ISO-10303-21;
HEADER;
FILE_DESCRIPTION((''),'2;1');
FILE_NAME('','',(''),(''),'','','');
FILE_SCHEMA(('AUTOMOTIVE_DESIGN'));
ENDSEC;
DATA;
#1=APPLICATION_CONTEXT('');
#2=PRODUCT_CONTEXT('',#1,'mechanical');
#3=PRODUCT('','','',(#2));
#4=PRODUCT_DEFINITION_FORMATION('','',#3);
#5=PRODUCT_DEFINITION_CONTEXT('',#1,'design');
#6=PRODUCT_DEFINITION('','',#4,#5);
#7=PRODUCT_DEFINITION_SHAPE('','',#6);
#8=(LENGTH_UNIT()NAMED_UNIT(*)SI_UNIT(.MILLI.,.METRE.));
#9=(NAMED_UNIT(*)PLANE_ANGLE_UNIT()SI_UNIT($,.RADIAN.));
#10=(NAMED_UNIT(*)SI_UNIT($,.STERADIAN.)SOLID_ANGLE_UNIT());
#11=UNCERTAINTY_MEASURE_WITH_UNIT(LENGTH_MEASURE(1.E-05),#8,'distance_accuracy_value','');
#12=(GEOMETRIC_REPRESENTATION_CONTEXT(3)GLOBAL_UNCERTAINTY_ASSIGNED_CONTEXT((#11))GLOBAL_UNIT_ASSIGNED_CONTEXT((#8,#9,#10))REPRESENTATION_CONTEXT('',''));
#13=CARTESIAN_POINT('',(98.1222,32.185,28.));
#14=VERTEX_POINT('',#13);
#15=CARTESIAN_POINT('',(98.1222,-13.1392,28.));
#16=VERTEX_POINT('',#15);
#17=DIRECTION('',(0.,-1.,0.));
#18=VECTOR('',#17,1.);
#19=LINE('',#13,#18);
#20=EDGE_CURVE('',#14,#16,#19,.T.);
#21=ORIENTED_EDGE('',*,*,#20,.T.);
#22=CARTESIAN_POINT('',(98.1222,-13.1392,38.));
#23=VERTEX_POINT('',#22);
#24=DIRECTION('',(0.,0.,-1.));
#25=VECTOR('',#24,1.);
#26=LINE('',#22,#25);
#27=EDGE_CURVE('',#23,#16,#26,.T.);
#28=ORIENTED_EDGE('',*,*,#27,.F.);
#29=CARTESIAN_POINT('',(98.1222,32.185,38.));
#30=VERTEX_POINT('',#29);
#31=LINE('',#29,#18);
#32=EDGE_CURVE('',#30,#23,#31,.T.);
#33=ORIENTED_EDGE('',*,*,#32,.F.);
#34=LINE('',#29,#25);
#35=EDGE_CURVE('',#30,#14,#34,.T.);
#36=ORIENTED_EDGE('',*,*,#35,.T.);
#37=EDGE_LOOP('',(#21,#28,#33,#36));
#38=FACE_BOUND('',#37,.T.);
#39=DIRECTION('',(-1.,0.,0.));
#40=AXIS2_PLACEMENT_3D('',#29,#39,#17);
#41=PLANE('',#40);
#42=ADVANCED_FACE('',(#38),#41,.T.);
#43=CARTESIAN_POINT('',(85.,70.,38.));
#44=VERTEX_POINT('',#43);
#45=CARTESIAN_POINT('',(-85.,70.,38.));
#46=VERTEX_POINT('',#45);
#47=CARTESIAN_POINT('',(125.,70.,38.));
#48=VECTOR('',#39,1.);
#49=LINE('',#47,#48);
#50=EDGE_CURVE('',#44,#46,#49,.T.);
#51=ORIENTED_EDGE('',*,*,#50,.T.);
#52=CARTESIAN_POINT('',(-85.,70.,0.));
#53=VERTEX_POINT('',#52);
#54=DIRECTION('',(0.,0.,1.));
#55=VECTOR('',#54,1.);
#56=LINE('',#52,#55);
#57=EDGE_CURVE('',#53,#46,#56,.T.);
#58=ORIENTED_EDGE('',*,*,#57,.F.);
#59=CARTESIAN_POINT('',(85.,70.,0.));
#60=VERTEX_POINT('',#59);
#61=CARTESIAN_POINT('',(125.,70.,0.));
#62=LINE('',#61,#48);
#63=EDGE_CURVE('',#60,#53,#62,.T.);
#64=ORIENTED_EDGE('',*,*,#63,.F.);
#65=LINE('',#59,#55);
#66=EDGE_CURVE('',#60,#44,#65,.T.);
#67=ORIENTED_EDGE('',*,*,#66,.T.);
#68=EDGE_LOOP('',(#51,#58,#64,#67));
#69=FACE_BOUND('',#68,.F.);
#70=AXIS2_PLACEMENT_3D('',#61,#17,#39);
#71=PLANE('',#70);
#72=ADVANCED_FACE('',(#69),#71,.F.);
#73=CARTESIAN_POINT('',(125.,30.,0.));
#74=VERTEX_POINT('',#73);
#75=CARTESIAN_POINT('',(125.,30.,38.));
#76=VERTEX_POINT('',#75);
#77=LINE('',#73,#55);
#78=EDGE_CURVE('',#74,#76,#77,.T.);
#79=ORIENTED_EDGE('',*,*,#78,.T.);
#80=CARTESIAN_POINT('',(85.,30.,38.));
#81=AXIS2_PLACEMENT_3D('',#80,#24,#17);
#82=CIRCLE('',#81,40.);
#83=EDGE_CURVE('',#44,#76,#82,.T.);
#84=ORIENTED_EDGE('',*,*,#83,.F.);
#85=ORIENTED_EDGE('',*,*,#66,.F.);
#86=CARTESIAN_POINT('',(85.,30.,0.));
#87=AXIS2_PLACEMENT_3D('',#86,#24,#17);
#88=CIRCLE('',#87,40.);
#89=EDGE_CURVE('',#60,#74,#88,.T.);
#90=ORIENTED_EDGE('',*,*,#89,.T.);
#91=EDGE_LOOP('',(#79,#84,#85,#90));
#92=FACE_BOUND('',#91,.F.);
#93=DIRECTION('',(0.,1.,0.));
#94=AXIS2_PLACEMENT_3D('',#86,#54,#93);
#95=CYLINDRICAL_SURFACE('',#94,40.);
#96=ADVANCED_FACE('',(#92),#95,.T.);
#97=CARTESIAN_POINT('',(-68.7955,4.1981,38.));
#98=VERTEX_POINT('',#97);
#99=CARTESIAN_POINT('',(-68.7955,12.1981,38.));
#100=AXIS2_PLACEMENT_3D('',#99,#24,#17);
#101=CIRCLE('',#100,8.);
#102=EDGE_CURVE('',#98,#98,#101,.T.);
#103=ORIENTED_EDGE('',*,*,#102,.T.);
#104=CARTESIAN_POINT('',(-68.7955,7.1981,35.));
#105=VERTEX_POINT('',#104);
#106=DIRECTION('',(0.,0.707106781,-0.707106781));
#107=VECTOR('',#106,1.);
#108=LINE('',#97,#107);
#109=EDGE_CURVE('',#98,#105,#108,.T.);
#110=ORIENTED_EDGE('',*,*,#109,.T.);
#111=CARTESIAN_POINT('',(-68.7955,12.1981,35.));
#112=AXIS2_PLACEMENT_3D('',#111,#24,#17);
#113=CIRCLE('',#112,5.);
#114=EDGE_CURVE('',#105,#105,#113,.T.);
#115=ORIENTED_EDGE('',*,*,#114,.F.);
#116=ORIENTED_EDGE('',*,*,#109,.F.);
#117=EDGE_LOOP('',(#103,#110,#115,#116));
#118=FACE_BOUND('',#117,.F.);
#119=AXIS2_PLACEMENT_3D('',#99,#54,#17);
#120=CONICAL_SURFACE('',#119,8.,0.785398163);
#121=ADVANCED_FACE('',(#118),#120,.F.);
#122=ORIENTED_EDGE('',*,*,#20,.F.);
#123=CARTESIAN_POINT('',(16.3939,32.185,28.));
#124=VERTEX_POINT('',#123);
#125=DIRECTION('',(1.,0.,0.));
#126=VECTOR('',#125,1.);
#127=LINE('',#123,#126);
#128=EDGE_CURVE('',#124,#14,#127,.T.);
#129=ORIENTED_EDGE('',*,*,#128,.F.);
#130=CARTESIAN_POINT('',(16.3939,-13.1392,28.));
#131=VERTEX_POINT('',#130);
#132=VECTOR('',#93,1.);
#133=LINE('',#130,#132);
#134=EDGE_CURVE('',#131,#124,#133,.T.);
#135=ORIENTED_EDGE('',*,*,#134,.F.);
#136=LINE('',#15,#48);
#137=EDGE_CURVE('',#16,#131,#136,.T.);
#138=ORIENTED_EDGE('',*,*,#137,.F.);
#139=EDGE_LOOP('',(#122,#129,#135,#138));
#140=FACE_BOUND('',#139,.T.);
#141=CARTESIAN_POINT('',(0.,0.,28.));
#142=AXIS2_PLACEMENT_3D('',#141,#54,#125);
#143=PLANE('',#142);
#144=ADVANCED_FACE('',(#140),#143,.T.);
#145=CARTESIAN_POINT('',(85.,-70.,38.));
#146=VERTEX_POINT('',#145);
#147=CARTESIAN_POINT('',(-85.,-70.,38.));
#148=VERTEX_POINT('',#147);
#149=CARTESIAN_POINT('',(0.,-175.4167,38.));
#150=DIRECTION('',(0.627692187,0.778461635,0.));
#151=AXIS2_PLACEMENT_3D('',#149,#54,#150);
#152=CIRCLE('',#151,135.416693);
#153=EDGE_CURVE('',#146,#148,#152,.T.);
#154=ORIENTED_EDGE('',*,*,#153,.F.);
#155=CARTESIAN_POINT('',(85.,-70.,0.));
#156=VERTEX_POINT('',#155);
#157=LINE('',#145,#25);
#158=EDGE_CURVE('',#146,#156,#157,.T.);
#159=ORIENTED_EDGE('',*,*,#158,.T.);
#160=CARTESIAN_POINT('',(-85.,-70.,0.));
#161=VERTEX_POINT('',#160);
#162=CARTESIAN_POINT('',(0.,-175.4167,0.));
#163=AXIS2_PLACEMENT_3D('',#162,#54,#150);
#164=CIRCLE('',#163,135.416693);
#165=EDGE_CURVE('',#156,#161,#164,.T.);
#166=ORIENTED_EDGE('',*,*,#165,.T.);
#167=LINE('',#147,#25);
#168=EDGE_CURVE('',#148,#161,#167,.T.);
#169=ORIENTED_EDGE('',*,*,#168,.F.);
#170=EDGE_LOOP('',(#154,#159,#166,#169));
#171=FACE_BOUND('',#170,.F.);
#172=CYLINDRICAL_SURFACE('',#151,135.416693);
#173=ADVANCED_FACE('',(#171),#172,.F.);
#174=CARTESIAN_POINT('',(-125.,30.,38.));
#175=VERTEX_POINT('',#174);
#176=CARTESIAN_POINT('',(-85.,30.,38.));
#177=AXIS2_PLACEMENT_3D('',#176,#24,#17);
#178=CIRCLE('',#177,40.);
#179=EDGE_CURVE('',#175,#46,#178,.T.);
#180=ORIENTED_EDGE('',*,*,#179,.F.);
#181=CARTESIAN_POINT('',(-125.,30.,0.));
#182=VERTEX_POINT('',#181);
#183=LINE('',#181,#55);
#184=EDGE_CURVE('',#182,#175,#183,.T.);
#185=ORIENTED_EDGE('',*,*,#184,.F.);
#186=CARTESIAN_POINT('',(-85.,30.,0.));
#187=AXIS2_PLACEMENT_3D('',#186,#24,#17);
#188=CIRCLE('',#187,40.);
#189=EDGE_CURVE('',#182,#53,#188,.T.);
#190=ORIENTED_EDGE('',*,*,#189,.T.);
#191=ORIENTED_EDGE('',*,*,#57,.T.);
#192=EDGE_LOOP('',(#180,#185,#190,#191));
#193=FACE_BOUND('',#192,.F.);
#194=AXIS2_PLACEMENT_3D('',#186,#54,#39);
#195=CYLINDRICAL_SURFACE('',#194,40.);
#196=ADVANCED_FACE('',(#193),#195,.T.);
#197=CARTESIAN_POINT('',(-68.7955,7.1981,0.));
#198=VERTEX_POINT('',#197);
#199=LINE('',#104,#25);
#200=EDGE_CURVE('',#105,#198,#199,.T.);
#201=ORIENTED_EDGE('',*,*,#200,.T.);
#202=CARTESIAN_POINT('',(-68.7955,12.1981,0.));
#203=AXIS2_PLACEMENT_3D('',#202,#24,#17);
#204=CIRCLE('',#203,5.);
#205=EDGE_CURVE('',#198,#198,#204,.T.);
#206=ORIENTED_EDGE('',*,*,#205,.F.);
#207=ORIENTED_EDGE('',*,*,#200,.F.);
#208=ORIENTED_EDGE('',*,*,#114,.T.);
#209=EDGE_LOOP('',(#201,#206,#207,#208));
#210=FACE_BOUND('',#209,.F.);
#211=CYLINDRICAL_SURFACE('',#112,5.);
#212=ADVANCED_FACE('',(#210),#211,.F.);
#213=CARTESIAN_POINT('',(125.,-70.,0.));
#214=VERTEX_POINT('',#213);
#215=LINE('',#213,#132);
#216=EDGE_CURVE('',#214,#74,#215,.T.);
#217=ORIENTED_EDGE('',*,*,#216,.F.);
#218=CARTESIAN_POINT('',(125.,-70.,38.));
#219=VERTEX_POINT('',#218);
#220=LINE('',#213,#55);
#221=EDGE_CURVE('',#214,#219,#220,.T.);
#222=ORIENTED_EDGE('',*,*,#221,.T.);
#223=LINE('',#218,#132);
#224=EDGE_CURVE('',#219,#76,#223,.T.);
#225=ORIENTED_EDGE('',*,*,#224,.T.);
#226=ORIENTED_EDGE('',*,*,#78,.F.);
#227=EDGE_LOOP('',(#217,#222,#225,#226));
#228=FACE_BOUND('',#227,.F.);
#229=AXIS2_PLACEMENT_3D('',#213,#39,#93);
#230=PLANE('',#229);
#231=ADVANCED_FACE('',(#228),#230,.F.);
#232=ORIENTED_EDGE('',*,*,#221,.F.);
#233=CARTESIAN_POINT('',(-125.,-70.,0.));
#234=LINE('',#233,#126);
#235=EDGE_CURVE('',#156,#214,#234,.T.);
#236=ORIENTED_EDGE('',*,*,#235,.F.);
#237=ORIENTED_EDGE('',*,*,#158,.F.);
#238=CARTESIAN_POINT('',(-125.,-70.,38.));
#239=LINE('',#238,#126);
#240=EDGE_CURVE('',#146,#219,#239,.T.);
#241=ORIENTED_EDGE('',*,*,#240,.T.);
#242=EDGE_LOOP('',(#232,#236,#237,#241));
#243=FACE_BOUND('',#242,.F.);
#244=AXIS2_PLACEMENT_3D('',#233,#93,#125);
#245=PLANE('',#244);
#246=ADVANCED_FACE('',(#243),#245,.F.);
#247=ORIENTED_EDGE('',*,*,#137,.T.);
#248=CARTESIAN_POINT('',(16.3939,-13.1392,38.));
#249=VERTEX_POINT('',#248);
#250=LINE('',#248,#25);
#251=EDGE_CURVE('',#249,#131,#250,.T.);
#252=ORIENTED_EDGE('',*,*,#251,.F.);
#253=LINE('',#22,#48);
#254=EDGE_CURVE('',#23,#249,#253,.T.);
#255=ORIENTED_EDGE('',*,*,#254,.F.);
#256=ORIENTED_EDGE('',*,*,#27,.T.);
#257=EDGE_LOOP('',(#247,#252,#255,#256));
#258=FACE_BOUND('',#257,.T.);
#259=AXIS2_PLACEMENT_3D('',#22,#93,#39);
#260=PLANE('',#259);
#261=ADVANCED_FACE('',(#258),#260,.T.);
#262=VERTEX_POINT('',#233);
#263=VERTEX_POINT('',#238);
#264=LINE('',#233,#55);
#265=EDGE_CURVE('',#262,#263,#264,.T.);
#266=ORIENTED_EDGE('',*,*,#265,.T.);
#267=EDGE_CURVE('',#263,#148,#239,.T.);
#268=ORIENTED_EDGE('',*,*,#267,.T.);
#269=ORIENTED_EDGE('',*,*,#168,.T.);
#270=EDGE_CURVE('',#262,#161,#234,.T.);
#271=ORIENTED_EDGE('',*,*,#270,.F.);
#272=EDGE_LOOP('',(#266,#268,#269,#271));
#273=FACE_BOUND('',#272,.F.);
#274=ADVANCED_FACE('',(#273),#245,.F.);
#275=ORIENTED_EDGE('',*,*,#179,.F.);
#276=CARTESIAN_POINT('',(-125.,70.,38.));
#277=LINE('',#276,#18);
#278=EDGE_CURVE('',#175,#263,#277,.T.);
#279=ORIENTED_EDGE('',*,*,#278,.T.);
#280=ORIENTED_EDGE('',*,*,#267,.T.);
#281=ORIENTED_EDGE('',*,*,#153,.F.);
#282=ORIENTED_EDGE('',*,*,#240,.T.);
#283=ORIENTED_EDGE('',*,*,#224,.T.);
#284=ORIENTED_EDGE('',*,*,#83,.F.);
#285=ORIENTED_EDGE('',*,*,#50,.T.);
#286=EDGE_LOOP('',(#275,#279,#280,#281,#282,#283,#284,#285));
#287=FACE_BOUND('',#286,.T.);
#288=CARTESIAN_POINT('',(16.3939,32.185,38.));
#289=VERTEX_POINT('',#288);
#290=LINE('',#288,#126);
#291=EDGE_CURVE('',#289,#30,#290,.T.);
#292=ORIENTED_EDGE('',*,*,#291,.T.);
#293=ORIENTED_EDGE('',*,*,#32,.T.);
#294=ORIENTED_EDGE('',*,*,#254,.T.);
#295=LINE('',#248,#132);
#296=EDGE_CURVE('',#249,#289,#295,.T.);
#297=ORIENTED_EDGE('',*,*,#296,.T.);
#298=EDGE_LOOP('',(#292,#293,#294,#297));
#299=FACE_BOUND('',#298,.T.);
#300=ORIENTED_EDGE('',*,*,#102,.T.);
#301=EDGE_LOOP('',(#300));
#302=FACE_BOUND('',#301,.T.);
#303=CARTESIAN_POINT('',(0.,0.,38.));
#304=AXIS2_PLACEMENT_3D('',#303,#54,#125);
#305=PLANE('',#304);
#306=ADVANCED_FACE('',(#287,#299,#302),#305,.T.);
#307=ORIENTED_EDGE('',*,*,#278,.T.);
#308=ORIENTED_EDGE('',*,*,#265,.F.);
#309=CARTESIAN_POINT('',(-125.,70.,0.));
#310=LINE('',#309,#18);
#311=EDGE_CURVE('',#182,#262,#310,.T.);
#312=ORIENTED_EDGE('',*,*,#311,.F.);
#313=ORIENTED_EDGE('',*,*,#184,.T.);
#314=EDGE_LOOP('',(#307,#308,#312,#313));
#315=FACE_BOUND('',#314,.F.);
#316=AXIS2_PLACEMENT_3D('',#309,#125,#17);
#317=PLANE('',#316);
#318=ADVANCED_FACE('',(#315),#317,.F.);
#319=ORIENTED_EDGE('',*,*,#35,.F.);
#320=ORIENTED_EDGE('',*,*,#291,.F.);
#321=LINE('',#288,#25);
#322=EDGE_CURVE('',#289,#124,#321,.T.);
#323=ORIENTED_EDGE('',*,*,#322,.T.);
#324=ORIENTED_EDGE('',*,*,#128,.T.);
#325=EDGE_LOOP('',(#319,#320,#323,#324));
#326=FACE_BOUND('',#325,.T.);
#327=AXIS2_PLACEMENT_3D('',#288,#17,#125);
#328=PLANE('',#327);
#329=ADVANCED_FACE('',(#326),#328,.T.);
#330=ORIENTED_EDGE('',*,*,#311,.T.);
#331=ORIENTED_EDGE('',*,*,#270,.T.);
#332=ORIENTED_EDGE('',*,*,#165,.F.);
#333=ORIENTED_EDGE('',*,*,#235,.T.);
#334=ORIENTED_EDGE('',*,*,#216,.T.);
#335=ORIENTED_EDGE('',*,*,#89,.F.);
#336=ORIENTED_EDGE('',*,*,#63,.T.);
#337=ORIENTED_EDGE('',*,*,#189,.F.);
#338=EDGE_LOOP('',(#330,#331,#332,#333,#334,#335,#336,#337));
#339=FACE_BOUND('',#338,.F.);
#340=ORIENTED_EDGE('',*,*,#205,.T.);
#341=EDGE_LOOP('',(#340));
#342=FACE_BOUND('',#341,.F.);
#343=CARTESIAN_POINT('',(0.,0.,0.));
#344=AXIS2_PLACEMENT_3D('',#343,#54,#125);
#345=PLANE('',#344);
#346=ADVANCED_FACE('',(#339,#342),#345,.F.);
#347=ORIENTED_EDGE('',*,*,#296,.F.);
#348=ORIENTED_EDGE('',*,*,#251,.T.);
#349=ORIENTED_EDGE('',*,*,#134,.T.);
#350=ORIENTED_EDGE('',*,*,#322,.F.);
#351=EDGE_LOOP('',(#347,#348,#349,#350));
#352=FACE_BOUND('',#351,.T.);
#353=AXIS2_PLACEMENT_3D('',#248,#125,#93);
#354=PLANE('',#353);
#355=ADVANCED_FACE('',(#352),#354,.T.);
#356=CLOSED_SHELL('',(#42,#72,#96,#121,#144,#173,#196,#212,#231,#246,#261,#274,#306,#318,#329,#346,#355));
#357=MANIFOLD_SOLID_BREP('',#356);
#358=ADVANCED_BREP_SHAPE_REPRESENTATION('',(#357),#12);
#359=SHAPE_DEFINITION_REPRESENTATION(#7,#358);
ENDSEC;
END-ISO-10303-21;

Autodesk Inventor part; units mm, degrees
ref_plane "YZ Plane" through (0, 0, 0) normal (1, 0, 0) x (0, 1, 0)
ref_plane "XZ Plane" through (0, 0, 0) normal (0, 1, 0) x (-1, 0, 0)
ref_plane "XY Plane" through (0, 0, 0) normal (0, 0, 1) x (1, 0, 0)
sketch "Sketch1" plane through (0, 0, 0) normal (0, 0, 1) x (1, 0, 0)
  line L0 (-125, -70) -> (125, -70)
  line L1 (125, -70) -> (125, 70)
  line L2 (125, 70) -> (-125, 70)
  line L3 (-125, 70) -> (-125, -70)
  line L4 (-125, -70) -> (125, 70) construction
  line L5 (125, -70) -> (-125, 70) construction
  point P0 (0, 0)
  dimension "d0" = 250
  dimension "d1" = 140
extrude "Extrusion1" add sketch "Sketch1" along normal blind 38
sketch "Sketch2" plane through (0, 0, 38) normal (0, 0, 1) x (1, 0, 0)
  line L0 (125, -70) -> (125, 70) projected
  line L1 (125, 70) -> (-125, 70) projected
  line L2 (-125, 70) -> (-125, -70) projected
  line L3 (-125, -70) -> (125, -70) projected
  line L4 (-125, -70) -> (125, -70) projected
  arc A0 (85, -70) -> (-85, -70) centre (0, -175.4167) ccw
  line L5 (53.4733, -40) -> (-37.6413, -40) construction
  point P0 (0, 0)
  point P1 (85, -70)
  dimension "d5" = 40
  dimension "d114" = 30
extrude "Extrusion2" cut sketch "Sketch2" against normal through all contours L3 A0
fillet "Fillet1" radius 40 2 edges at (125, 70, 19) (-125, 70, 19)
sketch "Sketch3" plane through (0, 0, 38) normal (0, 0, 1) x (1, 0, 0)
  point P0 (0, 0)
  point P1 (-68.7955, 12.1981)
hole "Hole1" at (-68.7955, 12.1981, 38) direction (0, 0, -1) diameter 10 end through all countersink diameter 16 countersink angle 90
sketch "Sketch4" plane through (0, 0, 38) normal (0, 0, 1) x (1, 0, 0)
  line L0 (16.3939, 32.185) -> (98.1222, 32.185)
  line L1 (98.1222, 32.185) -> (98.1222, -13.1392)
  line L2 (98.1222, -13.1392) -> (16.3939, -13.1392)
  line L3 (16.3939, -13.1392) -> (16.3939, 32.185)
  point P0 (0, 0)
extrude "Extrusion3" cut sketch "Sketch4" against normal blind 10
properties part number "Demo Covering Queue 2" material "MLBRD"
